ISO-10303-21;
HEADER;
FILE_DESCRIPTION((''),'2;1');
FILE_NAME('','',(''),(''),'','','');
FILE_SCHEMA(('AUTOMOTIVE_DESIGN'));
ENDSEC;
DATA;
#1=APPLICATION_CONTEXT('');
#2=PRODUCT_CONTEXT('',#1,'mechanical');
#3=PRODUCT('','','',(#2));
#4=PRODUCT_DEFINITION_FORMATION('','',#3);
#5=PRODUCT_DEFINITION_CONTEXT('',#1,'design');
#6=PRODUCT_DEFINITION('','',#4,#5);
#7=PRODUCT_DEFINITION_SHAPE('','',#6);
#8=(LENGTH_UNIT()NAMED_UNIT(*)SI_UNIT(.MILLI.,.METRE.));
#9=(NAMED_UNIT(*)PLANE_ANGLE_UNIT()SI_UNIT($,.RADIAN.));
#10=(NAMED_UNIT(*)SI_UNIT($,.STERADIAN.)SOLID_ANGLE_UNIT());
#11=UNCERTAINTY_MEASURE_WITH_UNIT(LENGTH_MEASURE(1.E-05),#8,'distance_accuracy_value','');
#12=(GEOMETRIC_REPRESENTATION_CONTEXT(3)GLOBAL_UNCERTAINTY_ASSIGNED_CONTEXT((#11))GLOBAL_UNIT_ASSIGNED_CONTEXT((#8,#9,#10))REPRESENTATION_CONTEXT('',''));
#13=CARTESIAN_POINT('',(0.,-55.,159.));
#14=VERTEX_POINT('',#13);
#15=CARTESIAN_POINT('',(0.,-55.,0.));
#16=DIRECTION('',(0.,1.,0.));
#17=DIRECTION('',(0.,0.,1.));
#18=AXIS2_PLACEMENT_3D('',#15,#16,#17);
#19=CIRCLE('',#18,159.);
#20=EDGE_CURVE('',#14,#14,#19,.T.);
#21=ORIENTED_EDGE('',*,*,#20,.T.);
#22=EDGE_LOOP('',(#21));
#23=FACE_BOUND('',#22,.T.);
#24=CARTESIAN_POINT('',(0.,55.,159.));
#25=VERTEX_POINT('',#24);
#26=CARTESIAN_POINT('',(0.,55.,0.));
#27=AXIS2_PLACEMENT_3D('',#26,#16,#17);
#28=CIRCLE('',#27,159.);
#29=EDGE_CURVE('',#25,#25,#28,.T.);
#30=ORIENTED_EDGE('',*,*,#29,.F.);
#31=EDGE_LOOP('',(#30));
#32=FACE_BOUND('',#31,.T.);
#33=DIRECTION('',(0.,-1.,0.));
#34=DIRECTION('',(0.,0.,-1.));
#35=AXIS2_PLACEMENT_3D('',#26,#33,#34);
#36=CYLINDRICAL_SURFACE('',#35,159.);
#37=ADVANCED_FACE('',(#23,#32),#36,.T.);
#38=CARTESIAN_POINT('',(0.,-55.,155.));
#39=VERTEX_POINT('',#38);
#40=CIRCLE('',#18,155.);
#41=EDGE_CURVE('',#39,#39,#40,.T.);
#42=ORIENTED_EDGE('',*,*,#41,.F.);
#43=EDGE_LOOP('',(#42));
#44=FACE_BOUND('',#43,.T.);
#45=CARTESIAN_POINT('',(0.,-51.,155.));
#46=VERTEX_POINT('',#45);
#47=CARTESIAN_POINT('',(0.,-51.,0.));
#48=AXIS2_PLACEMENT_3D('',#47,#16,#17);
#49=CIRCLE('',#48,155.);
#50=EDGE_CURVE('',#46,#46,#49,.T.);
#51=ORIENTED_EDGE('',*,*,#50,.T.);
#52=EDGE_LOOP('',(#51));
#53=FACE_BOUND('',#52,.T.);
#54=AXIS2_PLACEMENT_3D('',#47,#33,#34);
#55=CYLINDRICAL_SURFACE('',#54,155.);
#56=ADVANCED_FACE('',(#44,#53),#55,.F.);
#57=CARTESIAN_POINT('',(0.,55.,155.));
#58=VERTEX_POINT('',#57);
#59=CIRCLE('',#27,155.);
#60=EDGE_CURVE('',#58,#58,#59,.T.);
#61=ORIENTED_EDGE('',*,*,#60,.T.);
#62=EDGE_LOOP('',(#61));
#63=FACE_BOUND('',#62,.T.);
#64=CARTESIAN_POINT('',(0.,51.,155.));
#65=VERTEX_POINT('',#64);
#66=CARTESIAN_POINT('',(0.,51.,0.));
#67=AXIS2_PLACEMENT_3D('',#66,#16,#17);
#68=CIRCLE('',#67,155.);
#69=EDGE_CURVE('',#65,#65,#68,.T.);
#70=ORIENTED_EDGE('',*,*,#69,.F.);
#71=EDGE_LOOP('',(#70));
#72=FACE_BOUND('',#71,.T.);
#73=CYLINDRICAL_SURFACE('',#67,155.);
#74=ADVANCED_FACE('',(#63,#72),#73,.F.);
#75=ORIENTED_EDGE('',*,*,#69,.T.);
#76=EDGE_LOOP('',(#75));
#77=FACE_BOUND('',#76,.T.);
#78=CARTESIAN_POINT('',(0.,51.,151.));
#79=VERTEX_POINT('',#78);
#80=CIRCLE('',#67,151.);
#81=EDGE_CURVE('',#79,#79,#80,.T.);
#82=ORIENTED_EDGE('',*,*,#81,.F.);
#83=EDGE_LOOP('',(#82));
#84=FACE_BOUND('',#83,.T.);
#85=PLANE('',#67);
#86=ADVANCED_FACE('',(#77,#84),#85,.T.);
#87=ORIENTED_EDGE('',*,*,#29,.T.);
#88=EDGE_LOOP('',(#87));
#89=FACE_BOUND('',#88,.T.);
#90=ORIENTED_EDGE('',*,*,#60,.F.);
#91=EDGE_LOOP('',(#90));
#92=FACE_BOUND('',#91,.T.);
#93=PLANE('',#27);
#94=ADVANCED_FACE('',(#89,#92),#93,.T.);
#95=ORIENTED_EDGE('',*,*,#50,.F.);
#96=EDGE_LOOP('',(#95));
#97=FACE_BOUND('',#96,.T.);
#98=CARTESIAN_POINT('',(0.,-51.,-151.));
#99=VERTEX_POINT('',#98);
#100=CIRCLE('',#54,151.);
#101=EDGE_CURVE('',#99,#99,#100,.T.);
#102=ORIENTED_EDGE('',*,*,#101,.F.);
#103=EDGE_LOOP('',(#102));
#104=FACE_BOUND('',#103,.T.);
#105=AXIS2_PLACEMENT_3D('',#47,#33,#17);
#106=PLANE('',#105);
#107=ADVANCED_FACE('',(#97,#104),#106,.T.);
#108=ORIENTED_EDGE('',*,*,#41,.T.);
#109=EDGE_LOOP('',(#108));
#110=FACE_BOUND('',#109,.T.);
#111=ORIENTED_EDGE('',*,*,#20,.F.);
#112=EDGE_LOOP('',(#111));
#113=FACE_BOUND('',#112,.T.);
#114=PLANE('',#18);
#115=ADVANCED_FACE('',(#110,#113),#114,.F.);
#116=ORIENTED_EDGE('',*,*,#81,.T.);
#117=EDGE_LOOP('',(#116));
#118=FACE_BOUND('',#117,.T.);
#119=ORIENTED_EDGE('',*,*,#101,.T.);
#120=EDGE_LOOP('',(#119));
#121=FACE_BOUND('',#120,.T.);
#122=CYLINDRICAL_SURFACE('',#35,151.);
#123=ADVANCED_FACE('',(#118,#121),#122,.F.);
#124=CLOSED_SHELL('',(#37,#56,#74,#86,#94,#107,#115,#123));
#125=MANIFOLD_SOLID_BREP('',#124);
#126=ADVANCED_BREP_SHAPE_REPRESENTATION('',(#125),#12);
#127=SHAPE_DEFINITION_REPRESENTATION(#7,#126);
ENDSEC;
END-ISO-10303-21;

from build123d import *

# Parameters (mm, degrees)
ESQUISSE2_R             = 159
ESQUISSE2_R_2           = 151
BOSS_EXTRU_1_DEPTH      = 55
ESQUISSE3_R             = 155
ENL_V_MAT_EXTRU_1_DEPTH = 4


with BuildPart() as part:
    # Esquisse2 → Boss.-Extru.1 (new body, symmetric)
    with BuildSketch(Plane(origin=(0, 0, 0), x_dir=(1, 0, 0), z_dir=(0, 1, 0))):
        Circle(ESQUISSE2_R)
        Circle(ESQUISSE2_R_2, mode=Mode.SUBTRACT)
    extrude(amount=BOSS_EXTRU_1_DEPTH, both=True)

    # Esquisse3 → Enlèv. mat.-Extru.1 (cut)
    with BuildSketch(Plane(origin=(0, 55, 0), x_dir=(1, 0, 0), z_dir=(0, 1, 0))):
        Circle(ESQUISSE3_R)
    enl_v_mat_extru_1 = extrude(amount=-ENL_V_MAT_EXTRU_1_DEPTH, mode=Mode.SUBTRACT)

    # Symétrie1: Enlèv. mat.-Extru.1 across plane
    add(enl_v_mat_extru_1.mirror(Plane.ZX), mode=Mode.SUBTRACT)


solid = part.part
